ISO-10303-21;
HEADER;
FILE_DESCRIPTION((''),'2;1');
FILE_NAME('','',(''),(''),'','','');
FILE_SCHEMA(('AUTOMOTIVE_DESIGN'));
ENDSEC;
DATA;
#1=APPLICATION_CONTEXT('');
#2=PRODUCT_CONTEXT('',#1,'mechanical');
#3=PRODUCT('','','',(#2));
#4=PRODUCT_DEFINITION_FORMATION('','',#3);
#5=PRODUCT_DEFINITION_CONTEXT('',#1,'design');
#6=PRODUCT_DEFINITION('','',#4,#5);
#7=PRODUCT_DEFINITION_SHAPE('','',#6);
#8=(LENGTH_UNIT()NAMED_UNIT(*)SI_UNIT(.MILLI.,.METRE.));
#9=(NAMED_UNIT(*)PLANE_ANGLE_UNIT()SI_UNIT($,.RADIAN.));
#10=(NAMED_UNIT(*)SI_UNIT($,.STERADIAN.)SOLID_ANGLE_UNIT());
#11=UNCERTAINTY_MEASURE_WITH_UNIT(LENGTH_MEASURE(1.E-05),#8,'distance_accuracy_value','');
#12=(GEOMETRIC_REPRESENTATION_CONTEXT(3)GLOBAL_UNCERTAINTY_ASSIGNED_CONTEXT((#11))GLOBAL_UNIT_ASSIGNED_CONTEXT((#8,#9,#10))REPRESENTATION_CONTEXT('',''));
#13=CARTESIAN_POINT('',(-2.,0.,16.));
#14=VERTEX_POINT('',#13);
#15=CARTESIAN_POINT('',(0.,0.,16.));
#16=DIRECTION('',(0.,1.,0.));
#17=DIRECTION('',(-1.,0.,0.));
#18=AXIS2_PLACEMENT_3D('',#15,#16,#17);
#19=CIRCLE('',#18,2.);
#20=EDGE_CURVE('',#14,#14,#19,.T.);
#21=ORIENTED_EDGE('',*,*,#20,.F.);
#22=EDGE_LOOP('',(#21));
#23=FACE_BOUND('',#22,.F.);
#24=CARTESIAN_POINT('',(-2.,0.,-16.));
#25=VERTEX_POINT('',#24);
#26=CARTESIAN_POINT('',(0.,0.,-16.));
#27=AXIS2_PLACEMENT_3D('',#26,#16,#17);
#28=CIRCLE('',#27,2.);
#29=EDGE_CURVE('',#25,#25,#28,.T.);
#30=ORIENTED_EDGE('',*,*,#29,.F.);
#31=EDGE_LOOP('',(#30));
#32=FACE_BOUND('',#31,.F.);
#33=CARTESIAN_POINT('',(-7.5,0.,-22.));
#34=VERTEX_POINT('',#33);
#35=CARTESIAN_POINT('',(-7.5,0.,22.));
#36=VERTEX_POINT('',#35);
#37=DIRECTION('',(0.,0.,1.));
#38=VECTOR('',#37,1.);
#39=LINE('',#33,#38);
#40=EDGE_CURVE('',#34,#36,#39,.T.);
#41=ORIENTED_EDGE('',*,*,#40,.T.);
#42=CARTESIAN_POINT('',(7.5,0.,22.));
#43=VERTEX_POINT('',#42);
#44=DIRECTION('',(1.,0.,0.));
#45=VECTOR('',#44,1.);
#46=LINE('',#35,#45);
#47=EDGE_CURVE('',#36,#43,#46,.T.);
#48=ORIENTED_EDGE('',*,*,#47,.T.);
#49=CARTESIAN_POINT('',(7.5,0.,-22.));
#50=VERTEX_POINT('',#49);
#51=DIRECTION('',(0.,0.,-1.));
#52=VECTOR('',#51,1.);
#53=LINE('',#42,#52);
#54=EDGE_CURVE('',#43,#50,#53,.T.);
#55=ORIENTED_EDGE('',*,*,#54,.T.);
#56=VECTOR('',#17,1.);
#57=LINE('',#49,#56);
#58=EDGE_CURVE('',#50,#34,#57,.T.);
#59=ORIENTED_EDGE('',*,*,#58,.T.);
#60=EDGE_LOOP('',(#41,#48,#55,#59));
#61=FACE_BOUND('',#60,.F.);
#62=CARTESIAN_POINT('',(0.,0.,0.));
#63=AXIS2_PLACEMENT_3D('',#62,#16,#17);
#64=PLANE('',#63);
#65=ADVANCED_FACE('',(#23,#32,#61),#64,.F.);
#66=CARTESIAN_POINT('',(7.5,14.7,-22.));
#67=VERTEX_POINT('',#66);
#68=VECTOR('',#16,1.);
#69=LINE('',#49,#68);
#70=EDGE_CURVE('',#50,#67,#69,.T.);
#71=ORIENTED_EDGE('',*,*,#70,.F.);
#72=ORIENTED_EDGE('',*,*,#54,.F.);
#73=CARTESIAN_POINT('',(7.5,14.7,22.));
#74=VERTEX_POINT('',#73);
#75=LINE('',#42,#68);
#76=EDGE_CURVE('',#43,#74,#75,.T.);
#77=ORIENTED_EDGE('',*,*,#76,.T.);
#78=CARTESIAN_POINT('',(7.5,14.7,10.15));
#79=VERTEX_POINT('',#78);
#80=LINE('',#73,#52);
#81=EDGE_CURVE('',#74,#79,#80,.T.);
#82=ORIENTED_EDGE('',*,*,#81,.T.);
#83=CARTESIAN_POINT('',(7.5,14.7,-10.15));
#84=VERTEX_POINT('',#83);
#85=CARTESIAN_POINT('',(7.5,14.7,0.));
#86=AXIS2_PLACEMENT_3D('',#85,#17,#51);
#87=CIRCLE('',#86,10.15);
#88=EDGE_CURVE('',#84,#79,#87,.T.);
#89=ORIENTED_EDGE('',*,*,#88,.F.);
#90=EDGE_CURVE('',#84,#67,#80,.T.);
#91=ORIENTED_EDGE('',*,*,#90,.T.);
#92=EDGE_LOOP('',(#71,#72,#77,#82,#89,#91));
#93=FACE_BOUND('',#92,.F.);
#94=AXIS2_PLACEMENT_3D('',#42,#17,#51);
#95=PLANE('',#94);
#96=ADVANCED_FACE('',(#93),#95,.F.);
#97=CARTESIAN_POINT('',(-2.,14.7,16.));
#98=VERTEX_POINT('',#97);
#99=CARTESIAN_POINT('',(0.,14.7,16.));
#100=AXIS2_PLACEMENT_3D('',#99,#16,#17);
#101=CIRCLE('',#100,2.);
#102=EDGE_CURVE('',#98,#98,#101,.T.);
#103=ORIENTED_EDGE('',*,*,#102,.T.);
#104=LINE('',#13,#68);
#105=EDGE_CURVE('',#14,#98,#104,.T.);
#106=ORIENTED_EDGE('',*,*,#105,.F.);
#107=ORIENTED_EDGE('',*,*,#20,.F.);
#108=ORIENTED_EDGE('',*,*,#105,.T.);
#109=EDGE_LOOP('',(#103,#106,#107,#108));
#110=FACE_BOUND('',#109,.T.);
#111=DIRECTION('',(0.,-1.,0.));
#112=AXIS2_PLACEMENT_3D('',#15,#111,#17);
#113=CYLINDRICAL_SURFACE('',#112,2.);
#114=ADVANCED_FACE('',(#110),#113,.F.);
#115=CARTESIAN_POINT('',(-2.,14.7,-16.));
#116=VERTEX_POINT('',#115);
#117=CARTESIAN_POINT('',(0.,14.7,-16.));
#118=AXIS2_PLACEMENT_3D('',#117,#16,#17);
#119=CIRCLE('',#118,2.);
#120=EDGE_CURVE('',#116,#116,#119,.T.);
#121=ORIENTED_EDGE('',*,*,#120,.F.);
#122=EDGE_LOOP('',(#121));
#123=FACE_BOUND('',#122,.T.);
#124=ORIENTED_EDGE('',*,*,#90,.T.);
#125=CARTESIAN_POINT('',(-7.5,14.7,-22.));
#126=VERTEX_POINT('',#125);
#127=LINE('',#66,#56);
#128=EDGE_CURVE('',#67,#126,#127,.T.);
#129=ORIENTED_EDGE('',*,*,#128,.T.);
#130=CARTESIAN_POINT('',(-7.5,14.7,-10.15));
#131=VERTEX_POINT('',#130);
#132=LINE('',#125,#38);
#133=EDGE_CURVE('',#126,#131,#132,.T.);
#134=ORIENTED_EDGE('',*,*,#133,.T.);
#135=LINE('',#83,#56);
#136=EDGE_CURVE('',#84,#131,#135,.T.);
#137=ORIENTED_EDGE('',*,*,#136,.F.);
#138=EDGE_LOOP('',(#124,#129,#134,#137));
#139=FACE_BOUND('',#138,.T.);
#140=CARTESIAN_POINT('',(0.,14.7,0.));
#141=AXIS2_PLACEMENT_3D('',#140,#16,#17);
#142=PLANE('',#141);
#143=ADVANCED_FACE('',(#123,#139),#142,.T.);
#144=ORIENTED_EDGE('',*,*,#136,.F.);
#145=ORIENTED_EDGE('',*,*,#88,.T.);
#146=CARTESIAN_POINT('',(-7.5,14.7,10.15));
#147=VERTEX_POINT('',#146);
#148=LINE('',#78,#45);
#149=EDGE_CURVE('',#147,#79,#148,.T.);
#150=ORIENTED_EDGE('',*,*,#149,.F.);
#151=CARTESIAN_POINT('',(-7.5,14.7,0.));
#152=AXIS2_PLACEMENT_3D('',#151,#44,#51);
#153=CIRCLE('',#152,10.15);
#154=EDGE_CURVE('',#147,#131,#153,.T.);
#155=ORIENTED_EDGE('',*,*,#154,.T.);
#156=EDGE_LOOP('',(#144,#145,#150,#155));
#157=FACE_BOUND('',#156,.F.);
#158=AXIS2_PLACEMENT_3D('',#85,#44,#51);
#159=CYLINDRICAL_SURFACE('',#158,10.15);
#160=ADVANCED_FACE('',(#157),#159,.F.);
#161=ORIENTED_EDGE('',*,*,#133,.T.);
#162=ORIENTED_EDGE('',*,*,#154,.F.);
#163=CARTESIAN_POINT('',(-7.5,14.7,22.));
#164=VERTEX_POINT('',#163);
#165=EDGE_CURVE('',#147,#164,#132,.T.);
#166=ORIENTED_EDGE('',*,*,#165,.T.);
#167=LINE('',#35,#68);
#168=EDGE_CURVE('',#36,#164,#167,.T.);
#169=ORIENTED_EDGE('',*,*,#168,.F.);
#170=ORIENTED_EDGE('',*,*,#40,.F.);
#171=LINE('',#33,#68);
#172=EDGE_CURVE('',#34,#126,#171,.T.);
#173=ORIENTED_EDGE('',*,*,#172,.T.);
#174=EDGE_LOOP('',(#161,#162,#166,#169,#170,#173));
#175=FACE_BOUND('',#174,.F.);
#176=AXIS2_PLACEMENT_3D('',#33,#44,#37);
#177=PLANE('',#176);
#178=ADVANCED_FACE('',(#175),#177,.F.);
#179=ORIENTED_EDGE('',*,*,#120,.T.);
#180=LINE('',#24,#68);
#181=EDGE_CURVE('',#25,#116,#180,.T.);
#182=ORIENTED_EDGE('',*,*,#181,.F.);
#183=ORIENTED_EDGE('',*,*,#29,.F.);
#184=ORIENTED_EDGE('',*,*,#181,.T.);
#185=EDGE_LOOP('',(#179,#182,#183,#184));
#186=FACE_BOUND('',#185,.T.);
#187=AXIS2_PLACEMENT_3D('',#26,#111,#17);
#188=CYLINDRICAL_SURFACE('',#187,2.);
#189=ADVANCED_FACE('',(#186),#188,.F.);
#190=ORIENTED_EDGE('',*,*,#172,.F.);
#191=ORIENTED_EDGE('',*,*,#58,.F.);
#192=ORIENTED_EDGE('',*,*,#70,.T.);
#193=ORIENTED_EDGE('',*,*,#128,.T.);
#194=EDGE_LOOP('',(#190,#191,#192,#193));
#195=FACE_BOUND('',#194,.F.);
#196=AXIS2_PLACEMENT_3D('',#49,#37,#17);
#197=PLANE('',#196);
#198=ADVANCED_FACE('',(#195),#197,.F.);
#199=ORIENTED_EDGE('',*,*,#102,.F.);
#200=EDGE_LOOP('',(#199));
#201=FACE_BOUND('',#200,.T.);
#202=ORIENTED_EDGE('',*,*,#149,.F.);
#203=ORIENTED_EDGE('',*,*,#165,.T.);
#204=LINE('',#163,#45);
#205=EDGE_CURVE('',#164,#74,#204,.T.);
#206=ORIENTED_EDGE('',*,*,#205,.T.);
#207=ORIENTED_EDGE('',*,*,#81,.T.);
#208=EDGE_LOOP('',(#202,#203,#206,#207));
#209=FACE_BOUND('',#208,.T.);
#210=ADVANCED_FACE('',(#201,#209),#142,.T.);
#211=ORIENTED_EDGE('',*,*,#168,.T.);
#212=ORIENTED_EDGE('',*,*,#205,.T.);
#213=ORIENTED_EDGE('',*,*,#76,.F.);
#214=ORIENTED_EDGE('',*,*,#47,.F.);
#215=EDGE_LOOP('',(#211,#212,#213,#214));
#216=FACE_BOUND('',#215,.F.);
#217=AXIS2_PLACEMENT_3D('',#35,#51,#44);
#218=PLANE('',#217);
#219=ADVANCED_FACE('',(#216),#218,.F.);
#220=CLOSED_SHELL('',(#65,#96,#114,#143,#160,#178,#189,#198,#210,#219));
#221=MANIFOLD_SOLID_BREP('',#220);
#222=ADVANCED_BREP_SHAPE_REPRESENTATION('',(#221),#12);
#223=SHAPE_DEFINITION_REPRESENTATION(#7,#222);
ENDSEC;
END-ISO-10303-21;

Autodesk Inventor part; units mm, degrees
ref_plane "YZ Plane" through (0, 0, 0) normal (1, 0, 0) x (0, 1, 0)
ref_plane "XZ Plane" through (0, 0, 0) normal (0, 1, 0) x (-1, 0, 0)
ref_plane "XY Plane" through (0, 0, 0) normal (0, 0, 1) x (1, 0, 0)
sketch "Эскиз1" plane through (0, 0, 0) normal (0, 1, 0) x (-1, 0, 0)
  line L0 (7.5, 22) -> (-7.5, 22)
  line L1 (-7.5, 22) -> (-7.5, -22)
  line L2 (-7.5, -22) -> (7.5, -22)
  line L3 (7.5, -22) -> (7.5, 22)
  line L4 (-7.5, 22) -> (7.5, -22) construction
  line L5 (0, 22) -> (0, -22) construction
  circle A0 centre (0, 16) radius 2
  line L6 (7.5, 0) -> (-7.5, 0) construction
  circle A1 centre (0, -16) radius 2
  point P0 (0, 0)
  point P1 (0, 0)
  dimension "d0" = 15
  dimension "d1" = 44
  dimension "d2" = 16
  dimension "d3" = 4
extrude "Выдавливание1" add sketch "Эскиз1" along normal blind 14.7
sketch "Эскиз2" plane through (7.5, 0, 22) normal (1, 0, 0) x (0, 0, -1)
  line L0 (0, 14.7) -> (44, 14.7) projected
  circle A0 centre (22, 14.7) radius 10.15
  point P0 (22, 0)
  dimension "Диаметр_мотора" = 20.3
extrude "Выдавливание2" cut sketch "Эскиз2" against normal through all
properties part number "motor_mount_edge_part2-01"
